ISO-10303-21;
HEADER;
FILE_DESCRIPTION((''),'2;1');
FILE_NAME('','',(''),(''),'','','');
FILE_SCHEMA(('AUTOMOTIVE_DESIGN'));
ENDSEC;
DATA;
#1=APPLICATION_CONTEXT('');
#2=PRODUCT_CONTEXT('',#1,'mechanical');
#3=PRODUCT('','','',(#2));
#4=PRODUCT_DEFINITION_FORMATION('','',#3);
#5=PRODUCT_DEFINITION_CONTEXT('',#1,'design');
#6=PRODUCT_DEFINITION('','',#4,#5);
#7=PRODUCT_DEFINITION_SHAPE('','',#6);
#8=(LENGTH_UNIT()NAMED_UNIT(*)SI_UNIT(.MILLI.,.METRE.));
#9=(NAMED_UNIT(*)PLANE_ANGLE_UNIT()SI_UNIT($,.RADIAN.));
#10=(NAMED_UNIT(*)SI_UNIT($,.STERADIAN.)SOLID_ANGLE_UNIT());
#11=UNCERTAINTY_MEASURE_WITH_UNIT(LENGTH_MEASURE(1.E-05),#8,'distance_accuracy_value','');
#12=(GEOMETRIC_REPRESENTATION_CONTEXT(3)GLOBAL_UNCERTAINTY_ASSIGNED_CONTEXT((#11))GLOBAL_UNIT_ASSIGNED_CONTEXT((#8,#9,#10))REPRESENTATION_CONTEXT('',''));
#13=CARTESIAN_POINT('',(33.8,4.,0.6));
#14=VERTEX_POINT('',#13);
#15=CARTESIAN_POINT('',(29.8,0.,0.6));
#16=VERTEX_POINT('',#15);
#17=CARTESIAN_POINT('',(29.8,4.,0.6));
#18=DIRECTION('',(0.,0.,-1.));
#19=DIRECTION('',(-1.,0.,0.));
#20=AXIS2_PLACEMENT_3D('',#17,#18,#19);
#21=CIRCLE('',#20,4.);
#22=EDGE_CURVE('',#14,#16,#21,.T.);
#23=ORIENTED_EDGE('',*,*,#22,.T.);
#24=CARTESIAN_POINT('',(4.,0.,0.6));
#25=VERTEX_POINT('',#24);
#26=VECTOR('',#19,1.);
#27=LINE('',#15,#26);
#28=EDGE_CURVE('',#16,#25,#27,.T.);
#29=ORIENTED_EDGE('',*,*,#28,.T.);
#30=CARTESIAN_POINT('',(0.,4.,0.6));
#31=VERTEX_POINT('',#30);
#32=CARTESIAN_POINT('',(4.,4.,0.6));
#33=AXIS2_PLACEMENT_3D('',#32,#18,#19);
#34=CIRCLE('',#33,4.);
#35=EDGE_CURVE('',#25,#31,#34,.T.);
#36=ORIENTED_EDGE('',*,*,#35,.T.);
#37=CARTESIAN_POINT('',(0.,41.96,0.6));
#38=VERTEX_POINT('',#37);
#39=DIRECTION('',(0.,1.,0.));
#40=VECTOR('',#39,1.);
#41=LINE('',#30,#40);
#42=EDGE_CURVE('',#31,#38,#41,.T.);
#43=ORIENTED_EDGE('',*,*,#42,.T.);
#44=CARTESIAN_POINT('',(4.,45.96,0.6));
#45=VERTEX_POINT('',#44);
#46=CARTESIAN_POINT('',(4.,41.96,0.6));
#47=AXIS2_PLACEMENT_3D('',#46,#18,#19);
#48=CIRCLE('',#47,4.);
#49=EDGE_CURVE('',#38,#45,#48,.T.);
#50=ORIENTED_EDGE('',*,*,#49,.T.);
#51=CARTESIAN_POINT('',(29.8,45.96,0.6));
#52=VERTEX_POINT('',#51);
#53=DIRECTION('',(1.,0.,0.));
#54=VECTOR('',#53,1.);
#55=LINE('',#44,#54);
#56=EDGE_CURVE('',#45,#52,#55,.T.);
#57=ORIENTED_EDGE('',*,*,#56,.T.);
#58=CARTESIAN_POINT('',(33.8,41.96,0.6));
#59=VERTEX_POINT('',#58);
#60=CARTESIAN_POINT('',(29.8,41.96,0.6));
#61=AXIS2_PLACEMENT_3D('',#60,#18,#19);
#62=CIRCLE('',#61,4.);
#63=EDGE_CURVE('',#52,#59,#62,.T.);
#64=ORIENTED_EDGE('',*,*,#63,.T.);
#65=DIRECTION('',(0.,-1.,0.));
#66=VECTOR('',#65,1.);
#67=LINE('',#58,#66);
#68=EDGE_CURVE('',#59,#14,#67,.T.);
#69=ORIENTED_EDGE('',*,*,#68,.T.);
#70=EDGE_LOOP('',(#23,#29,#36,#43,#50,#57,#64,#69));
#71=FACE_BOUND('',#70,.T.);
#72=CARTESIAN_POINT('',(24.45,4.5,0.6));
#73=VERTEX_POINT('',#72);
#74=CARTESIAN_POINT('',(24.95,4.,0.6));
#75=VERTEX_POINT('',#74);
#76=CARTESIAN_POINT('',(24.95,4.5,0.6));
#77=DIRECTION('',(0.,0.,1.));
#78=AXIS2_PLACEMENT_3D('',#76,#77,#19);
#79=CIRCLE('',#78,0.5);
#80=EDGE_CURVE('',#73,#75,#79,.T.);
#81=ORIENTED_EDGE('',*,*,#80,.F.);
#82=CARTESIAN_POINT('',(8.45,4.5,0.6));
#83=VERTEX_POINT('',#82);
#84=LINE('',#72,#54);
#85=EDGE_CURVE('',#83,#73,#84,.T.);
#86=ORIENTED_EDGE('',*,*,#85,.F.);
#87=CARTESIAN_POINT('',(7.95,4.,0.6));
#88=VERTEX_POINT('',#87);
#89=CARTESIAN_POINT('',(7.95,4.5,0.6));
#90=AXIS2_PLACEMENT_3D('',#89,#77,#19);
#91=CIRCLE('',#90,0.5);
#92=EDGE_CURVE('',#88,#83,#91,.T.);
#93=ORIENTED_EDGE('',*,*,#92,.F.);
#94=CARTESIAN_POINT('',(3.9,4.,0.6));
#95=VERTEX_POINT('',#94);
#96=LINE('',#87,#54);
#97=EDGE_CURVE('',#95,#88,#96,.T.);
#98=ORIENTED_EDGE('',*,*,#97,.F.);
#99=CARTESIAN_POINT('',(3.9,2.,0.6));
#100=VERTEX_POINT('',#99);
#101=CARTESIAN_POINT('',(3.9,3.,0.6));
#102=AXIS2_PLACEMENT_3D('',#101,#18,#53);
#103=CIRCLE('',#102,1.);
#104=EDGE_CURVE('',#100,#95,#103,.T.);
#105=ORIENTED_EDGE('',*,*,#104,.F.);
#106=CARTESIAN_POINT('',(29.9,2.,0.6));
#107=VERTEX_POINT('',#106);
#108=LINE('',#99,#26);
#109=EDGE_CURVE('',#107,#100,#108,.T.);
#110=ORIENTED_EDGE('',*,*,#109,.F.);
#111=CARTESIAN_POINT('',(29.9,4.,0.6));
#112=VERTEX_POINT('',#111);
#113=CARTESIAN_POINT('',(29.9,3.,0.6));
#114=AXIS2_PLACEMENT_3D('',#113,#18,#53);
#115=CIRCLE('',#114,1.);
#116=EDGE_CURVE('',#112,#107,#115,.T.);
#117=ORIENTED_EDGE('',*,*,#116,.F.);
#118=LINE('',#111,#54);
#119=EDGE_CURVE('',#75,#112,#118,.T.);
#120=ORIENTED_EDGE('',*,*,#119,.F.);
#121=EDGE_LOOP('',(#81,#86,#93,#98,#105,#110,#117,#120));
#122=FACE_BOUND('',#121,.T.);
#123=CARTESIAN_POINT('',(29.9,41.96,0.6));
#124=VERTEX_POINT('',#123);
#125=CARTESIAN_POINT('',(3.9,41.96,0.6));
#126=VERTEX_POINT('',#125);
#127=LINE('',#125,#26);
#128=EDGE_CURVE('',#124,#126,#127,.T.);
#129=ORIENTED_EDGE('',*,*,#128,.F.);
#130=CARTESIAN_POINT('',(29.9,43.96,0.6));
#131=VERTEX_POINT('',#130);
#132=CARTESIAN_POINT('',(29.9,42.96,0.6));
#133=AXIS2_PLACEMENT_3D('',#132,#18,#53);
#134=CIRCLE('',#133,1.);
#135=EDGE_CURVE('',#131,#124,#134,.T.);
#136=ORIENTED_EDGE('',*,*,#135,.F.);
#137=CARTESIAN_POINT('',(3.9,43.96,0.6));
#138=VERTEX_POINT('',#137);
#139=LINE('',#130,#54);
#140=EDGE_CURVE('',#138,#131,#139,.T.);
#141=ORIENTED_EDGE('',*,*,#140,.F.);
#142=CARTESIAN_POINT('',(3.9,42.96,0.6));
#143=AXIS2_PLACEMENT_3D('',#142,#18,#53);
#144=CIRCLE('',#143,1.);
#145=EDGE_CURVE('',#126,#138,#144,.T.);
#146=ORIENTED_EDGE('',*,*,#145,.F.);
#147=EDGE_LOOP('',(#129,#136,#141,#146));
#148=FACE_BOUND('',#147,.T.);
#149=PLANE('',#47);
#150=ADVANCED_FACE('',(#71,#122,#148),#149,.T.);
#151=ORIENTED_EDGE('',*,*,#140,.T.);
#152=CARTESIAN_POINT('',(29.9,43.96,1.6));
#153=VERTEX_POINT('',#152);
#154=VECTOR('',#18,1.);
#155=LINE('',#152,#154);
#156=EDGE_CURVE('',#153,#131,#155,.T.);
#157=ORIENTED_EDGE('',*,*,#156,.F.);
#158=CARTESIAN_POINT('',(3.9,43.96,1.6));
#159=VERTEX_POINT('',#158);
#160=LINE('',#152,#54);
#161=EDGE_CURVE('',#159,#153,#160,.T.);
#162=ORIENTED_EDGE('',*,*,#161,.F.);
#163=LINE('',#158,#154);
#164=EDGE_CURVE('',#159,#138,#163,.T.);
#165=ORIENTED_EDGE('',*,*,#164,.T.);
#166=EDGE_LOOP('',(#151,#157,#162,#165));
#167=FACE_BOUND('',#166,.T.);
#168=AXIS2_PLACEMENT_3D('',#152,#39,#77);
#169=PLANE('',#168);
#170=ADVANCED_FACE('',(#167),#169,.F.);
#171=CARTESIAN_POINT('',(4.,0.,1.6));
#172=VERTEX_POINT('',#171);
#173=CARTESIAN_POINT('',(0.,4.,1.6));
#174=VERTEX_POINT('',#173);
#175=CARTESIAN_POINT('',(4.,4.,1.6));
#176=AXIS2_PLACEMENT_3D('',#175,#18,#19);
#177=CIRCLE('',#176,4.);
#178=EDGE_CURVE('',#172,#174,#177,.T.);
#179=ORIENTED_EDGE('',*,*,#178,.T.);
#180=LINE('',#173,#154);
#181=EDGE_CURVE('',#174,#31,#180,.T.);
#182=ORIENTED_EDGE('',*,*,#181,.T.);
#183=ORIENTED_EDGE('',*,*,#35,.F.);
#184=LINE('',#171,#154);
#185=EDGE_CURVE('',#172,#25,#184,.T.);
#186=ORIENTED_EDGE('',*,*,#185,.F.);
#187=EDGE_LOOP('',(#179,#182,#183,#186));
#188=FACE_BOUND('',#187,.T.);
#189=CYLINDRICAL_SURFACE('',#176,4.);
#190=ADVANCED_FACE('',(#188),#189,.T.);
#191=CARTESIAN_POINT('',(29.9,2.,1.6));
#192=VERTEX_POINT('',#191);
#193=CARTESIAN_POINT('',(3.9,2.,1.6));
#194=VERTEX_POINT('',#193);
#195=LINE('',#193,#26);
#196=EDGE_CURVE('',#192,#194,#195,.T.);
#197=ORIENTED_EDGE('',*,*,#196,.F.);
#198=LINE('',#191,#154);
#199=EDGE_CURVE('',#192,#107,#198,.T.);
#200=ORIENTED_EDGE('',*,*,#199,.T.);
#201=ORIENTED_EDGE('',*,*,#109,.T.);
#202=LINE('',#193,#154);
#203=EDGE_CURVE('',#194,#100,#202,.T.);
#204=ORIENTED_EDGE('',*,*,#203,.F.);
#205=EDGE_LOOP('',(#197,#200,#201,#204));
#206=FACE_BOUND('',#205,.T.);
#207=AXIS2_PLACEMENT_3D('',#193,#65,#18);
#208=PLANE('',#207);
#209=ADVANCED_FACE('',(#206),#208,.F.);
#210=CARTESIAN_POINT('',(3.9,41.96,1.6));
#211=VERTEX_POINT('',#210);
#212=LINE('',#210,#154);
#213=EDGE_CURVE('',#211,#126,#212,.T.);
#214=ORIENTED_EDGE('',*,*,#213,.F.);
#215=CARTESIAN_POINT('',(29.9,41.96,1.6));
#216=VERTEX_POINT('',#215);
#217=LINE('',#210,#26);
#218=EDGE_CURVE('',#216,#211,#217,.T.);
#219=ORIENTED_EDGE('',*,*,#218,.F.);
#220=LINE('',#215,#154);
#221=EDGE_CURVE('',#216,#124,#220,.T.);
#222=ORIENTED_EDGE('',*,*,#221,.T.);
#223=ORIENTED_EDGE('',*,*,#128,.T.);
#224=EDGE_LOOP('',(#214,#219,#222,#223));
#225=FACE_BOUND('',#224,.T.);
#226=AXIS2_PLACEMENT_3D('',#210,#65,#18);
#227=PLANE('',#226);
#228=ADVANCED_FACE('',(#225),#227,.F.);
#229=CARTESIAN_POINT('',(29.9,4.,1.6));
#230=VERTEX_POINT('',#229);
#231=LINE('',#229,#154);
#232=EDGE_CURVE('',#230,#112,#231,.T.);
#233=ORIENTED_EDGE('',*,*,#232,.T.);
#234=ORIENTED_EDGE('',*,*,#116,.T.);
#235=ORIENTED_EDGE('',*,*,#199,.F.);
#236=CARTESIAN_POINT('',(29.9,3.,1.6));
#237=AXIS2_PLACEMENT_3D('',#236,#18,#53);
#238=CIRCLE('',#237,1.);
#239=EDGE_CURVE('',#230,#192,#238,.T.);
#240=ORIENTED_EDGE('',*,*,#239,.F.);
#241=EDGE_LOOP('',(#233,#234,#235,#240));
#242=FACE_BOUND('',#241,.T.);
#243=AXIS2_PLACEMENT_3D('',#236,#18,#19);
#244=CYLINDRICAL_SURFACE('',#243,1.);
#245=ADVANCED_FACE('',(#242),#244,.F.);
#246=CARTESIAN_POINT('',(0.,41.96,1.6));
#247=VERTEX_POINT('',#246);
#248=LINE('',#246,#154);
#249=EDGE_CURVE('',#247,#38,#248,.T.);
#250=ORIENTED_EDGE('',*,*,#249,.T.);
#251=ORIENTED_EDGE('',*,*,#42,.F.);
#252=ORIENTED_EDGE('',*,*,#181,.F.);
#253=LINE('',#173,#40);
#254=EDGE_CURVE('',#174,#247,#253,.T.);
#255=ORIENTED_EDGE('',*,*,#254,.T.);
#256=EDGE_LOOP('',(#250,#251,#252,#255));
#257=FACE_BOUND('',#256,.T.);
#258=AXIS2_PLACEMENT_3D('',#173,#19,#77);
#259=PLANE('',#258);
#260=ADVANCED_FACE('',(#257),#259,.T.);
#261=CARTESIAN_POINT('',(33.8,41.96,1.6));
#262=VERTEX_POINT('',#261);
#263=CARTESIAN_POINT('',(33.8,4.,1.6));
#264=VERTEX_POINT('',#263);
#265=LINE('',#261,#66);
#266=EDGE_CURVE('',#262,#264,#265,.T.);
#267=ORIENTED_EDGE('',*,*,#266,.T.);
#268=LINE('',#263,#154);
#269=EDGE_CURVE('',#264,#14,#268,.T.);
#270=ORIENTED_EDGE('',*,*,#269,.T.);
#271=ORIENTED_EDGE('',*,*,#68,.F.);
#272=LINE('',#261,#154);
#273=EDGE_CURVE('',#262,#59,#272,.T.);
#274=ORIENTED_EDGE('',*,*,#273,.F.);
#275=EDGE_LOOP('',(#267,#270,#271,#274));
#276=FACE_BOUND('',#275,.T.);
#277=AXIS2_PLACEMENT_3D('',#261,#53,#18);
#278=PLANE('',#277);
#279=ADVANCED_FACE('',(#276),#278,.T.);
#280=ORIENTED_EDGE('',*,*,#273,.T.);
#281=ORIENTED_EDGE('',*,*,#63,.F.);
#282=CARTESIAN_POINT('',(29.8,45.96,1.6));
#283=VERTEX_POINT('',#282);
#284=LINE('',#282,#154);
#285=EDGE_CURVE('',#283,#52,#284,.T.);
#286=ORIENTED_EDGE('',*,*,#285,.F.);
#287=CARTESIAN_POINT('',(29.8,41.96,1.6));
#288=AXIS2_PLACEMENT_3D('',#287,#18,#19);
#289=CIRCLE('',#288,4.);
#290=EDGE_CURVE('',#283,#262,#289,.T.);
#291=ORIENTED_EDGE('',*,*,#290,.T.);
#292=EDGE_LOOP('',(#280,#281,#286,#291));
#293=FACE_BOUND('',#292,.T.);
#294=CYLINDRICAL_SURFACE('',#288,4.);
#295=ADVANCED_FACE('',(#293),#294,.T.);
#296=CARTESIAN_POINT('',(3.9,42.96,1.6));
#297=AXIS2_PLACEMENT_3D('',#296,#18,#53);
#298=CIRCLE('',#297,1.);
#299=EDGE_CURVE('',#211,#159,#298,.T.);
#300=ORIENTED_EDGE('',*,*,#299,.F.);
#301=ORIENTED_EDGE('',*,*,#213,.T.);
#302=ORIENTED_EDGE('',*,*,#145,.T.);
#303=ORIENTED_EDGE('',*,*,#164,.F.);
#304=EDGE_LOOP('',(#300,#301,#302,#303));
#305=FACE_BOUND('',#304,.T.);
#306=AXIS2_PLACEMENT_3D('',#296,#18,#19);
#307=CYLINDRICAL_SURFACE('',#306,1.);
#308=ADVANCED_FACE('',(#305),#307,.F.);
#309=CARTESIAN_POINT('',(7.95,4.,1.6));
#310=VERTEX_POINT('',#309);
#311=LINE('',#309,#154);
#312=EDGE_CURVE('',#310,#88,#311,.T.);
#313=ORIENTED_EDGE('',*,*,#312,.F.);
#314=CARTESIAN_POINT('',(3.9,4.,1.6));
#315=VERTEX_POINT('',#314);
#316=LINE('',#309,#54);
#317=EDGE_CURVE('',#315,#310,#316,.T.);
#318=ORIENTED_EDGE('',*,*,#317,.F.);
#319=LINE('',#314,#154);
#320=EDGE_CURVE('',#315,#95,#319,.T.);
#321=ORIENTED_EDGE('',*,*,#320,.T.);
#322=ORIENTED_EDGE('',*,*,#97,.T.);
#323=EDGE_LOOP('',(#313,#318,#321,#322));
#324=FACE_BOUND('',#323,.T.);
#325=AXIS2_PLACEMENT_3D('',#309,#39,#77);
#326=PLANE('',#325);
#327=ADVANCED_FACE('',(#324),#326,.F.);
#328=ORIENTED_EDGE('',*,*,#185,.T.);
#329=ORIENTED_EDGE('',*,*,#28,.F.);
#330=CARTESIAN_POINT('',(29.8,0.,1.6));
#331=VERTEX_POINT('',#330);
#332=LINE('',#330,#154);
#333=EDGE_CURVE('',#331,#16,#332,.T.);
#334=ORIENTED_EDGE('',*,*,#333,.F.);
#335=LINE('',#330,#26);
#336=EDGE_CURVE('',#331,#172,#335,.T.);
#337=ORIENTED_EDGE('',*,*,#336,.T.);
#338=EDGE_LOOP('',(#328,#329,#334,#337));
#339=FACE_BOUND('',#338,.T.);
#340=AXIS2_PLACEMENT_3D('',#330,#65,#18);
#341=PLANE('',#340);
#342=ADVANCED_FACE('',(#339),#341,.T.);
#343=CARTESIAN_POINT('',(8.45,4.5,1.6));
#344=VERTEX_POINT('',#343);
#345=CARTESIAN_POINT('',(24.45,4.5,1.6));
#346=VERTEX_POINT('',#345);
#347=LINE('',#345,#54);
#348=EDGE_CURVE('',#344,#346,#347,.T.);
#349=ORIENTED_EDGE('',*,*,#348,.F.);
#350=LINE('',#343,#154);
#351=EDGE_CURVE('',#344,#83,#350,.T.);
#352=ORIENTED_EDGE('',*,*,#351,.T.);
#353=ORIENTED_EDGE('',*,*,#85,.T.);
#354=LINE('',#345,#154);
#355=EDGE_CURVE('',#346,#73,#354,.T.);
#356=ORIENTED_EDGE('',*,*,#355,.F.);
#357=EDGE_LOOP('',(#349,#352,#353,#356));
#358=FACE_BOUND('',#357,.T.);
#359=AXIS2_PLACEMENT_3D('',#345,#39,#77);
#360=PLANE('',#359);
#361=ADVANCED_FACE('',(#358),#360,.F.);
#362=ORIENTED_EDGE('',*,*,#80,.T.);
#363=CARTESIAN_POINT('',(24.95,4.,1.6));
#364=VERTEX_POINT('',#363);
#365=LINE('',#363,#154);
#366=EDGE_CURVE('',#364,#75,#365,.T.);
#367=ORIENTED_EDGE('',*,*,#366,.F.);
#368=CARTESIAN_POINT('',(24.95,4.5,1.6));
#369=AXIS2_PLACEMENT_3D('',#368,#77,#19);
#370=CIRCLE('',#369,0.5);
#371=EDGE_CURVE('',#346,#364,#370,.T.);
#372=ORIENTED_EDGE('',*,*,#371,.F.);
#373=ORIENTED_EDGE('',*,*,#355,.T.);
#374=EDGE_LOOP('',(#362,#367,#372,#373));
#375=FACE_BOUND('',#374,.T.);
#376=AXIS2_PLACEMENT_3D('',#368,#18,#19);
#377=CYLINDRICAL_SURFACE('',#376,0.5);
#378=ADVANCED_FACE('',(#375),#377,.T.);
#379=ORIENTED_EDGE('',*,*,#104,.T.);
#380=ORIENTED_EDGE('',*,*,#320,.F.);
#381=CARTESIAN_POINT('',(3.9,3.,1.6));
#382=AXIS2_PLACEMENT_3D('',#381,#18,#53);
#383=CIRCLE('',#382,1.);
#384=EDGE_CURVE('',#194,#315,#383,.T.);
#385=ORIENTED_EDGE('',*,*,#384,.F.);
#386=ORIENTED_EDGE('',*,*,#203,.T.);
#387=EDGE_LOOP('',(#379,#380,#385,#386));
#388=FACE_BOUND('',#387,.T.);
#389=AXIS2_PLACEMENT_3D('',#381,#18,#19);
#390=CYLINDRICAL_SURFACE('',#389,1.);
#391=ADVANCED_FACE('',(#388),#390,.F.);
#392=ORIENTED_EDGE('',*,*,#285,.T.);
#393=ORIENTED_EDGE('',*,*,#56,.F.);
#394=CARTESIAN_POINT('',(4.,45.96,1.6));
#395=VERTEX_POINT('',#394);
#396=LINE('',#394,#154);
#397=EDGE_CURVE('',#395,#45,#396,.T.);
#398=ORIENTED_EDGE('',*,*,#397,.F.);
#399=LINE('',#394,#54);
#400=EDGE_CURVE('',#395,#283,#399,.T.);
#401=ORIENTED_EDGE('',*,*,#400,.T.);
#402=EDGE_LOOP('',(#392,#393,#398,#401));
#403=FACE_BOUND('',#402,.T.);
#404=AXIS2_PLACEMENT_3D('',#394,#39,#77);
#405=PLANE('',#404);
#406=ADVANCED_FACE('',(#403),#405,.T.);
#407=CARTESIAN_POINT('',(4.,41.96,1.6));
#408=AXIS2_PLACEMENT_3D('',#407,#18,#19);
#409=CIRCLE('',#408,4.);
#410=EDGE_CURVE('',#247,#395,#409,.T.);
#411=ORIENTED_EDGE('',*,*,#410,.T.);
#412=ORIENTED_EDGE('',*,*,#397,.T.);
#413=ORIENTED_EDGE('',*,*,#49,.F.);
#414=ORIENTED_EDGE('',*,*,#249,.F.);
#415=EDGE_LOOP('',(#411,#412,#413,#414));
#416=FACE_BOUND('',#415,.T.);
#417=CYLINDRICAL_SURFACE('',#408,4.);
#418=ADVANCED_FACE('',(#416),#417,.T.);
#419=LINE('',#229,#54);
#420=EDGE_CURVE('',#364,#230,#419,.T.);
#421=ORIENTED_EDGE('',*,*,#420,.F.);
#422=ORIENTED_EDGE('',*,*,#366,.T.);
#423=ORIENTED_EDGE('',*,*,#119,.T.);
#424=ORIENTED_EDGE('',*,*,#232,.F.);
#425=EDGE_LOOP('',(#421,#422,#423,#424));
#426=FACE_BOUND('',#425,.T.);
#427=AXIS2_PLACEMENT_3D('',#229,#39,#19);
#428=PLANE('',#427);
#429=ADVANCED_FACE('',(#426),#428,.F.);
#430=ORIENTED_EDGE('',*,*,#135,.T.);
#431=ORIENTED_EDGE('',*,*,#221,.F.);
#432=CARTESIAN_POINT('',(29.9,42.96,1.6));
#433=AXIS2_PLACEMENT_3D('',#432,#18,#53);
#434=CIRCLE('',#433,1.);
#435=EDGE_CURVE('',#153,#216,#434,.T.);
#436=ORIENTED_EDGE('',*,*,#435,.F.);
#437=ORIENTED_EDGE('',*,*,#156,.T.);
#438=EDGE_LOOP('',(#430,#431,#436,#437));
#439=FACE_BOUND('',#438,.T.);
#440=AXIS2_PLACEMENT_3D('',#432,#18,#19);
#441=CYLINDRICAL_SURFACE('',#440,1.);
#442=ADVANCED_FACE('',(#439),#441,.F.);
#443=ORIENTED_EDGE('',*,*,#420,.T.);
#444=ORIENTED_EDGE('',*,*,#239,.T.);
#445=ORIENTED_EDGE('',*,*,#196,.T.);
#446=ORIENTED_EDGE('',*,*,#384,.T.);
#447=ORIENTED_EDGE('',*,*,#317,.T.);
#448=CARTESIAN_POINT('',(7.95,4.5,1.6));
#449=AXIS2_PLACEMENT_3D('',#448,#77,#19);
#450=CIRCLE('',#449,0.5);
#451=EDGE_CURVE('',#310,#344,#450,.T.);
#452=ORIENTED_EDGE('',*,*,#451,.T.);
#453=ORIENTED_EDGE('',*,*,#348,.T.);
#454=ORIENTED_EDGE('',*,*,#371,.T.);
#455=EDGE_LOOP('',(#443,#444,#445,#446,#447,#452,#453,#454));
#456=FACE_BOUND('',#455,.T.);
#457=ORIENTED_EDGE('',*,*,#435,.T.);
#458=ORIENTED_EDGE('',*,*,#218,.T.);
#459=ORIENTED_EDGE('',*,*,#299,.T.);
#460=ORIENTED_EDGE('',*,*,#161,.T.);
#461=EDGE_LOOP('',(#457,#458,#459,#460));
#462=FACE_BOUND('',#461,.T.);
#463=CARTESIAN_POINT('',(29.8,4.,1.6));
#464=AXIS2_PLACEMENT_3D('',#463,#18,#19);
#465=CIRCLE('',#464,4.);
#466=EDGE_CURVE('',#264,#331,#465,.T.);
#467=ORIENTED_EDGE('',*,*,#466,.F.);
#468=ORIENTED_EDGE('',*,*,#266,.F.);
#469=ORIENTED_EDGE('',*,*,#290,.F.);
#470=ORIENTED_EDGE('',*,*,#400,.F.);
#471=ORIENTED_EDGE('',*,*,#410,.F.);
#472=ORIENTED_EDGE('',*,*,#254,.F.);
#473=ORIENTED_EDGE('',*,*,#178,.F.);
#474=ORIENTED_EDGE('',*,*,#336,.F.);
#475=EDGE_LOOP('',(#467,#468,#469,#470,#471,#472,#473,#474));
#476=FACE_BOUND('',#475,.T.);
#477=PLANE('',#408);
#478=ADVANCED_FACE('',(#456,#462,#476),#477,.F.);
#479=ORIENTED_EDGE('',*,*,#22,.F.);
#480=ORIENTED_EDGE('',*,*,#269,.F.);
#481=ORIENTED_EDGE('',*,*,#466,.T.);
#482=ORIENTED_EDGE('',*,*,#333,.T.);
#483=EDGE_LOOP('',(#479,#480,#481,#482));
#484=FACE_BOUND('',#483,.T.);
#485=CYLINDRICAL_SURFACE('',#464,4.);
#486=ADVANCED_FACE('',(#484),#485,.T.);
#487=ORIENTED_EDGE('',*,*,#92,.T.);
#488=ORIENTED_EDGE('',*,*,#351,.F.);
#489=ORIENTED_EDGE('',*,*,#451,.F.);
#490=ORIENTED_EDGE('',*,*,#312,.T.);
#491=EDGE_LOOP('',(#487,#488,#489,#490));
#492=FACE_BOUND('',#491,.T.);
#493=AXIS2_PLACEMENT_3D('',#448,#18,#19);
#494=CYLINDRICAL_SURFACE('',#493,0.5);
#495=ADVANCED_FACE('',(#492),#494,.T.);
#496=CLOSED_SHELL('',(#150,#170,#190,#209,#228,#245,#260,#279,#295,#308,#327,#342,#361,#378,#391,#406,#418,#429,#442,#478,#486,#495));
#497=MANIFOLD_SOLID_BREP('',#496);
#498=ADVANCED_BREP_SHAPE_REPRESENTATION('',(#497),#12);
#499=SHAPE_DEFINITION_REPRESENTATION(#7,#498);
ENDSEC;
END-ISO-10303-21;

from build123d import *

# Parameters (mm, degrees)
BOSS_EXTRUDE1_DEPTH = 1


with BuildPart() as part:
    # Sketch1 → Boss-Extrude1 (new body)
    with BuildSketch(Plane(origin=(0, 0, 0.6), x_dir=(-1, 0, 0), z_dir=(0, 0, -1))):
        with BuildLine():
            Line((-4, 45.96), (-29.8, 45.96))
            ThreePointArc((-29.8, 45.96), (-32.628427125, 44.788427125), (-33.8, 41.96))
            Line((-33.8, 41.96), (-33.8, 4))
            ThreePointArc((-33.8, 4), (-32.628427125, 1.171572875), (-29.8, 0))
            Line((-29.8, 0), (-4, 0))
            ThreePointArc((-4, 0), (-1.171572875, 1.171572875), (0, 4))
            Line((0, 4), (0, 41.96))
            ThreePointArc((0, 41.96), (-1.171572875, 44.788427125), (-4, 45.96))
        make_face()
        with BuildLine():
            Line((-7.95, 4), (-3.9, 4))
            ThreePointArc((-3.9, 4), (-2.9, 3), (-3.9, 2))
            Line((-3.9, 2), (-29.9, 2))
            ThreePointArc((-29.9, 2), (-30.9, 3), (-29.9, 4))
            Line((-29.9, 4), (-24.95, 4))
            ThreePointArc((-24.95, 4), (-24.596446609, 4.146446609), (-24.45, 4.5))
            Line((-24.45, 4.5), (-8.45, 4.5))
            ThreePointArc((-8.45, 4.5), (-8.303553391, 4.146446609), (-7.95, 4))
        make_face(mode=Mode.SUBTRACT)
        with BuildLine():
            Line((-3.9, 41.96), (-29.9, 41.96))
            ThreePointArc((-29.9, 41.96), (-30.9, 42.96), (-29.9, 43.96))
            Line((-29.9, 43.96), (-3.9, 43.96))
            ThreePointArc((-3.9, 43.96), (-2.9, 42.96), (-3.9, 41.96))
        make_face(mode=Mode.SUBTRACT)
    extrude(amount=-BOSS_EXTRUDE1_DEPTH)


solid = part.part
